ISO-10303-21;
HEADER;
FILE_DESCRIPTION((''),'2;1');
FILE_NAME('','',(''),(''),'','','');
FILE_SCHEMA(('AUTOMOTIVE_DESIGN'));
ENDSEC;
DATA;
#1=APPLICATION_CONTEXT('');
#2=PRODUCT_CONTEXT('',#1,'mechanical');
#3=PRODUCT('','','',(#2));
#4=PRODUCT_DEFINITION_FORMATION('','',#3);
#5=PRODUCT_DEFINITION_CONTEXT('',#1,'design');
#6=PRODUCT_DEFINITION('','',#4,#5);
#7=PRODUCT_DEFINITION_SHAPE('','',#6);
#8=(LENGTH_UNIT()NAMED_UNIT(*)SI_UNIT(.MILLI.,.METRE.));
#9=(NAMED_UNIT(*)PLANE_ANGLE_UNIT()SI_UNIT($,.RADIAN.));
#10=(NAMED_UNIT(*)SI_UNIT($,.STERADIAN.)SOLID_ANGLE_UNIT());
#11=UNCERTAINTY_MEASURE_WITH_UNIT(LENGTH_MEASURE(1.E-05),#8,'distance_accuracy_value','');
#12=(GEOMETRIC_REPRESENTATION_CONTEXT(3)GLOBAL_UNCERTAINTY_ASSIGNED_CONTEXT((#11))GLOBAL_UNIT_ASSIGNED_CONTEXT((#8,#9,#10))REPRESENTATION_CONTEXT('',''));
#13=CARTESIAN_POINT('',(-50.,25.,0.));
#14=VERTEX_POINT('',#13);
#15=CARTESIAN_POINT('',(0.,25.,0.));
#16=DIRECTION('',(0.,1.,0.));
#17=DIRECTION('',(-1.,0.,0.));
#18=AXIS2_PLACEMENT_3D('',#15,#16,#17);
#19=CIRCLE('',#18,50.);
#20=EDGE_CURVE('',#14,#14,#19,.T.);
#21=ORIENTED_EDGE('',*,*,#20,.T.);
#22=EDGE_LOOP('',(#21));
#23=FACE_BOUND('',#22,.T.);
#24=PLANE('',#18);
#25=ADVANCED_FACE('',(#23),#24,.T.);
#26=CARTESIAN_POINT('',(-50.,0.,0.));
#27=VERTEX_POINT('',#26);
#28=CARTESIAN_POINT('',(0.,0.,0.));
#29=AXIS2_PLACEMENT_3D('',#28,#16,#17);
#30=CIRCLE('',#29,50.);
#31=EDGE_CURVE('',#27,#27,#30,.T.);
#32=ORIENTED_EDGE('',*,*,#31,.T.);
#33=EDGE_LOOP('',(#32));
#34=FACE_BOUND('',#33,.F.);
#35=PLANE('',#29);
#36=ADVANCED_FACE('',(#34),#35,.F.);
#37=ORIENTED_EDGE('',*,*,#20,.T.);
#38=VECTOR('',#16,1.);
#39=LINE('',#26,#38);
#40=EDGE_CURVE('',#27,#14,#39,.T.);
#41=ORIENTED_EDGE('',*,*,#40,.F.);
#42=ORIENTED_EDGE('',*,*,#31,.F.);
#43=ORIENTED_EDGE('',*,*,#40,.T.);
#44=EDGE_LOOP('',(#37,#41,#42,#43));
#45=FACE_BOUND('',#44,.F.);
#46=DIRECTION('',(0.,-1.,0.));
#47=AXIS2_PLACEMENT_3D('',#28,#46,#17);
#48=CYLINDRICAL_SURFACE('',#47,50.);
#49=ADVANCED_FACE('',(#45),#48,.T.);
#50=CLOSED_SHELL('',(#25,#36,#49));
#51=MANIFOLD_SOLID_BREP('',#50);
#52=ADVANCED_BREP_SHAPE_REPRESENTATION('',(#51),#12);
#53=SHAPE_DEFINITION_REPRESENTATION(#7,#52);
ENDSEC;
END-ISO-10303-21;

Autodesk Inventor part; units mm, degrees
ref_plane "YZ Plane" through (0, 0, 0) normal (1, 0, 0) x (0, 1, 0)
ref_plane "XZ Plane" through (0, 0, 0) normal (0, 1, 0) x (-1, 0, 0)
ref_plane "XY Plane" through (0, 0, 0) normal (0, 0, 1) x (1, 0, 0)
sketch "Sketch1" plane through (0, 0, 0) normal (0, 1, 0) x (-1, 0, 0)
  point P0 (0, 0)
sketch "Sketch2" plane through (0, 0, 0) normal (0, 1, 0) x (-1, 0, 0)
  circle A0 centre (0, 0) radius 50
  dimension "d0" = 100
extrude "Extrusion1" add sketch "Sketch2" along normal blind 25
properties part number "cyl3_10cm_2.5cm"
